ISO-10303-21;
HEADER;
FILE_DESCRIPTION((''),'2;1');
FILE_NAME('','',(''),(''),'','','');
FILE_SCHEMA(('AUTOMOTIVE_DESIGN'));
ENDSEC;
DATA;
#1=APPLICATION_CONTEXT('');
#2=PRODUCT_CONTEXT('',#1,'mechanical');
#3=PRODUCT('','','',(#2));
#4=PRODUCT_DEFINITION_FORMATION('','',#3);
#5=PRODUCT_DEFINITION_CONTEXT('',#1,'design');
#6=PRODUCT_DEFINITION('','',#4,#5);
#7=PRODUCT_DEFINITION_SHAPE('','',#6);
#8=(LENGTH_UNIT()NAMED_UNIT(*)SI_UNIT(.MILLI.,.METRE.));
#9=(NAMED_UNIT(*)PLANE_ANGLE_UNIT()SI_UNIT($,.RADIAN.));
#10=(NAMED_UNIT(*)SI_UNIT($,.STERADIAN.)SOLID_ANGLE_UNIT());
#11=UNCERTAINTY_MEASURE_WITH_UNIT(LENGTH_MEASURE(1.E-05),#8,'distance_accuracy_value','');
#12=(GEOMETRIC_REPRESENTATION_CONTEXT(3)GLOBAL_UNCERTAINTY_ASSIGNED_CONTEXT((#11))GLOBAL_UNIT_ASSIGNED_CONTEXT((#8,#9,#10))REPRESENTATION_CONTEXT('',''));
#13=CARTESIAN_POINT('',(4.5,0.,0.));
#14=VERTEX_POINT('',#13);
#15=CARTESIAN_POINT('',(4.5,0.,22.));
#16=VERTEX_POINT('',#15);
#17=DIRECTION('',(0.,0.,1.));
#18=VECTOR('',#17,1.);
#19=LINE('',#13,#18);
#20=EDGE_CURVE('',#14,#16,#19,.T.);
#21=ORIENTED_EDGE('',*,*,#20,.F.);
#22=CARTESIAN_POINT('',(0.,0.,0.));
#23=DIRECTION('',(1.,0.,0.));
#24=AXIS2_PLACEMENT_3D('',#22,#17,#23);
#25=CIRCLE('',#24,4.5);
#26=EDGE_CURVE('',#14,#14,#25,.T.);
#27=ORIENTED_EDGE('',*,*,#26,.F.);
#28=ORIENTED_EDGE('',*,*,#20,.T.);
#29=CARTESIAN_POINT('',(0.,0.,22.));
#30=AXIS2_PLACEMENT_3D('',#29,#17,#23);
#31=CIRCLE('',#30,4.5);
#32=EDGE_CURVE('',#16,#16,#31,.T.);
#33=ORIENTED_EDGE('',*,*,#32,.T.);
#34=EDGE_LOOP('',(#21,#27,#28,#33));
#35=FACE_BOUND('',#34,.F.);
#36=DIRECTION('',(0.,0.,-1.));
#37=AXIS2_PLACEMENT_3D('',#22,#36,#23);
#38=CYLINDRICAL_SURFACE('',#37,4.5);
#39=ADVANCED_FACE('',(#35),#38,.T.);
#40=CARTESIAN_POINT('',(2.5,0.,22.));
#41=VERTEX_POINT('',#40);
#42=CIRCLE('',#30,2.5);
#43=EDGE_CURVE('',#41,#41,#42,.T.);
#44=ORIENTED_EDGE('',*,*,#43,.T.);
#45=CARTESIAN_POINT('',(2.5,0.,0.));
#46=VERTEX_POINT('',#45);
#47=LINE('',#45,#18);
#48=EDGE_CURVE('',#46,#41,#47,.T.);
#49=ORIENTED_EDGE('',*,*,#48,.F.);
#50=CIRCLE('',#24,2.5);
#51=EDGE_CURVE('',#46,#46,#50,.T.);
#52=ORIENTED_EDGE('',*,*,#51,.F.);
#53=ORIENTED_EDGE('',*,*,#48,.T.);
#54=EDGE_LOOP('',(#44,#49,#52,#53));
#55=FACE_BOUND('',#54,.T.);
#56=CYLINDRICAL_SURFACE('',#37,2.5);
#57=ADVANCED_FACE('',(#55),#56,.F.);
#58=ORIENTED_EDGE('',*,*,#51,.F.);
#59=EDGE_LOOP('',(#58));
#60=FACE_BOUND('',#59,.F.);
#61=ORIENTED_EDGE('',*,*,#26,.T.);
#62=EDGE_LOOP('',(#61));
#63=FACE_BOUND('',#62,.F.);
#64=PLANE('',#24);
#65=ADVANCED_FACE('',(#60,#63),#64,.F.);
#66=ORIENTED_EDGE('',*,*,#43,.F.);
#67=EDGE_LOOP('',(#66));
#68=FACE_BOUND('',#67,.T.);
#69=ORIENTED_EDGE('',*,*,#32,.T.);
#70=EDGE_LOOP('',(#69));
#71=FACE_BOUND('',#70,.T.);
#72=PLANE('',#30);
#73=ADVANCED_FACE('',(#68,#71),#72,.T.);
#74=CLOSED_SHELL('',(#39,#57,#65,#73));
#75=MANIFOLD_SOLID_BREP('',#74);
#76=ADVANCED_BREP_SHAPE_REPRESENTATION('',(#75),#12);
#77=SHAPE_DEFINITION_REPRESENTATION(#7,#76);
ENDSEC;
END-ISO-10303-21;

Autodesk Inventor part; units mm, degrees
ref_plane "YZ Plane" through (0, 0, 0) normal (1, 0, 0) x (0, 1, 0)
ref_plane "XZ Plane" through (0, 0, 0) normal (0, 1, 0) x (-1, 0, 0)
ref_plane "XY Plane" through (0, 0, 0) normal (0, 0, 1) x (1, 0, 0)
sketch "Szkic1" plane through (0, 0, 0) normal (0, 0, 1) x (1, 0, 0)
  circle A0 centre (0, 0) radius 2.5
  circle A1 centre (0, 0) radius 4.5
  dimension "d0" = 5
  dimension "d1" = 9
extrude "Wyciągnięcie proste1" add sketch "Szkic1" along normal blind 22
properties part number "tuleja_M5_M9_22"
